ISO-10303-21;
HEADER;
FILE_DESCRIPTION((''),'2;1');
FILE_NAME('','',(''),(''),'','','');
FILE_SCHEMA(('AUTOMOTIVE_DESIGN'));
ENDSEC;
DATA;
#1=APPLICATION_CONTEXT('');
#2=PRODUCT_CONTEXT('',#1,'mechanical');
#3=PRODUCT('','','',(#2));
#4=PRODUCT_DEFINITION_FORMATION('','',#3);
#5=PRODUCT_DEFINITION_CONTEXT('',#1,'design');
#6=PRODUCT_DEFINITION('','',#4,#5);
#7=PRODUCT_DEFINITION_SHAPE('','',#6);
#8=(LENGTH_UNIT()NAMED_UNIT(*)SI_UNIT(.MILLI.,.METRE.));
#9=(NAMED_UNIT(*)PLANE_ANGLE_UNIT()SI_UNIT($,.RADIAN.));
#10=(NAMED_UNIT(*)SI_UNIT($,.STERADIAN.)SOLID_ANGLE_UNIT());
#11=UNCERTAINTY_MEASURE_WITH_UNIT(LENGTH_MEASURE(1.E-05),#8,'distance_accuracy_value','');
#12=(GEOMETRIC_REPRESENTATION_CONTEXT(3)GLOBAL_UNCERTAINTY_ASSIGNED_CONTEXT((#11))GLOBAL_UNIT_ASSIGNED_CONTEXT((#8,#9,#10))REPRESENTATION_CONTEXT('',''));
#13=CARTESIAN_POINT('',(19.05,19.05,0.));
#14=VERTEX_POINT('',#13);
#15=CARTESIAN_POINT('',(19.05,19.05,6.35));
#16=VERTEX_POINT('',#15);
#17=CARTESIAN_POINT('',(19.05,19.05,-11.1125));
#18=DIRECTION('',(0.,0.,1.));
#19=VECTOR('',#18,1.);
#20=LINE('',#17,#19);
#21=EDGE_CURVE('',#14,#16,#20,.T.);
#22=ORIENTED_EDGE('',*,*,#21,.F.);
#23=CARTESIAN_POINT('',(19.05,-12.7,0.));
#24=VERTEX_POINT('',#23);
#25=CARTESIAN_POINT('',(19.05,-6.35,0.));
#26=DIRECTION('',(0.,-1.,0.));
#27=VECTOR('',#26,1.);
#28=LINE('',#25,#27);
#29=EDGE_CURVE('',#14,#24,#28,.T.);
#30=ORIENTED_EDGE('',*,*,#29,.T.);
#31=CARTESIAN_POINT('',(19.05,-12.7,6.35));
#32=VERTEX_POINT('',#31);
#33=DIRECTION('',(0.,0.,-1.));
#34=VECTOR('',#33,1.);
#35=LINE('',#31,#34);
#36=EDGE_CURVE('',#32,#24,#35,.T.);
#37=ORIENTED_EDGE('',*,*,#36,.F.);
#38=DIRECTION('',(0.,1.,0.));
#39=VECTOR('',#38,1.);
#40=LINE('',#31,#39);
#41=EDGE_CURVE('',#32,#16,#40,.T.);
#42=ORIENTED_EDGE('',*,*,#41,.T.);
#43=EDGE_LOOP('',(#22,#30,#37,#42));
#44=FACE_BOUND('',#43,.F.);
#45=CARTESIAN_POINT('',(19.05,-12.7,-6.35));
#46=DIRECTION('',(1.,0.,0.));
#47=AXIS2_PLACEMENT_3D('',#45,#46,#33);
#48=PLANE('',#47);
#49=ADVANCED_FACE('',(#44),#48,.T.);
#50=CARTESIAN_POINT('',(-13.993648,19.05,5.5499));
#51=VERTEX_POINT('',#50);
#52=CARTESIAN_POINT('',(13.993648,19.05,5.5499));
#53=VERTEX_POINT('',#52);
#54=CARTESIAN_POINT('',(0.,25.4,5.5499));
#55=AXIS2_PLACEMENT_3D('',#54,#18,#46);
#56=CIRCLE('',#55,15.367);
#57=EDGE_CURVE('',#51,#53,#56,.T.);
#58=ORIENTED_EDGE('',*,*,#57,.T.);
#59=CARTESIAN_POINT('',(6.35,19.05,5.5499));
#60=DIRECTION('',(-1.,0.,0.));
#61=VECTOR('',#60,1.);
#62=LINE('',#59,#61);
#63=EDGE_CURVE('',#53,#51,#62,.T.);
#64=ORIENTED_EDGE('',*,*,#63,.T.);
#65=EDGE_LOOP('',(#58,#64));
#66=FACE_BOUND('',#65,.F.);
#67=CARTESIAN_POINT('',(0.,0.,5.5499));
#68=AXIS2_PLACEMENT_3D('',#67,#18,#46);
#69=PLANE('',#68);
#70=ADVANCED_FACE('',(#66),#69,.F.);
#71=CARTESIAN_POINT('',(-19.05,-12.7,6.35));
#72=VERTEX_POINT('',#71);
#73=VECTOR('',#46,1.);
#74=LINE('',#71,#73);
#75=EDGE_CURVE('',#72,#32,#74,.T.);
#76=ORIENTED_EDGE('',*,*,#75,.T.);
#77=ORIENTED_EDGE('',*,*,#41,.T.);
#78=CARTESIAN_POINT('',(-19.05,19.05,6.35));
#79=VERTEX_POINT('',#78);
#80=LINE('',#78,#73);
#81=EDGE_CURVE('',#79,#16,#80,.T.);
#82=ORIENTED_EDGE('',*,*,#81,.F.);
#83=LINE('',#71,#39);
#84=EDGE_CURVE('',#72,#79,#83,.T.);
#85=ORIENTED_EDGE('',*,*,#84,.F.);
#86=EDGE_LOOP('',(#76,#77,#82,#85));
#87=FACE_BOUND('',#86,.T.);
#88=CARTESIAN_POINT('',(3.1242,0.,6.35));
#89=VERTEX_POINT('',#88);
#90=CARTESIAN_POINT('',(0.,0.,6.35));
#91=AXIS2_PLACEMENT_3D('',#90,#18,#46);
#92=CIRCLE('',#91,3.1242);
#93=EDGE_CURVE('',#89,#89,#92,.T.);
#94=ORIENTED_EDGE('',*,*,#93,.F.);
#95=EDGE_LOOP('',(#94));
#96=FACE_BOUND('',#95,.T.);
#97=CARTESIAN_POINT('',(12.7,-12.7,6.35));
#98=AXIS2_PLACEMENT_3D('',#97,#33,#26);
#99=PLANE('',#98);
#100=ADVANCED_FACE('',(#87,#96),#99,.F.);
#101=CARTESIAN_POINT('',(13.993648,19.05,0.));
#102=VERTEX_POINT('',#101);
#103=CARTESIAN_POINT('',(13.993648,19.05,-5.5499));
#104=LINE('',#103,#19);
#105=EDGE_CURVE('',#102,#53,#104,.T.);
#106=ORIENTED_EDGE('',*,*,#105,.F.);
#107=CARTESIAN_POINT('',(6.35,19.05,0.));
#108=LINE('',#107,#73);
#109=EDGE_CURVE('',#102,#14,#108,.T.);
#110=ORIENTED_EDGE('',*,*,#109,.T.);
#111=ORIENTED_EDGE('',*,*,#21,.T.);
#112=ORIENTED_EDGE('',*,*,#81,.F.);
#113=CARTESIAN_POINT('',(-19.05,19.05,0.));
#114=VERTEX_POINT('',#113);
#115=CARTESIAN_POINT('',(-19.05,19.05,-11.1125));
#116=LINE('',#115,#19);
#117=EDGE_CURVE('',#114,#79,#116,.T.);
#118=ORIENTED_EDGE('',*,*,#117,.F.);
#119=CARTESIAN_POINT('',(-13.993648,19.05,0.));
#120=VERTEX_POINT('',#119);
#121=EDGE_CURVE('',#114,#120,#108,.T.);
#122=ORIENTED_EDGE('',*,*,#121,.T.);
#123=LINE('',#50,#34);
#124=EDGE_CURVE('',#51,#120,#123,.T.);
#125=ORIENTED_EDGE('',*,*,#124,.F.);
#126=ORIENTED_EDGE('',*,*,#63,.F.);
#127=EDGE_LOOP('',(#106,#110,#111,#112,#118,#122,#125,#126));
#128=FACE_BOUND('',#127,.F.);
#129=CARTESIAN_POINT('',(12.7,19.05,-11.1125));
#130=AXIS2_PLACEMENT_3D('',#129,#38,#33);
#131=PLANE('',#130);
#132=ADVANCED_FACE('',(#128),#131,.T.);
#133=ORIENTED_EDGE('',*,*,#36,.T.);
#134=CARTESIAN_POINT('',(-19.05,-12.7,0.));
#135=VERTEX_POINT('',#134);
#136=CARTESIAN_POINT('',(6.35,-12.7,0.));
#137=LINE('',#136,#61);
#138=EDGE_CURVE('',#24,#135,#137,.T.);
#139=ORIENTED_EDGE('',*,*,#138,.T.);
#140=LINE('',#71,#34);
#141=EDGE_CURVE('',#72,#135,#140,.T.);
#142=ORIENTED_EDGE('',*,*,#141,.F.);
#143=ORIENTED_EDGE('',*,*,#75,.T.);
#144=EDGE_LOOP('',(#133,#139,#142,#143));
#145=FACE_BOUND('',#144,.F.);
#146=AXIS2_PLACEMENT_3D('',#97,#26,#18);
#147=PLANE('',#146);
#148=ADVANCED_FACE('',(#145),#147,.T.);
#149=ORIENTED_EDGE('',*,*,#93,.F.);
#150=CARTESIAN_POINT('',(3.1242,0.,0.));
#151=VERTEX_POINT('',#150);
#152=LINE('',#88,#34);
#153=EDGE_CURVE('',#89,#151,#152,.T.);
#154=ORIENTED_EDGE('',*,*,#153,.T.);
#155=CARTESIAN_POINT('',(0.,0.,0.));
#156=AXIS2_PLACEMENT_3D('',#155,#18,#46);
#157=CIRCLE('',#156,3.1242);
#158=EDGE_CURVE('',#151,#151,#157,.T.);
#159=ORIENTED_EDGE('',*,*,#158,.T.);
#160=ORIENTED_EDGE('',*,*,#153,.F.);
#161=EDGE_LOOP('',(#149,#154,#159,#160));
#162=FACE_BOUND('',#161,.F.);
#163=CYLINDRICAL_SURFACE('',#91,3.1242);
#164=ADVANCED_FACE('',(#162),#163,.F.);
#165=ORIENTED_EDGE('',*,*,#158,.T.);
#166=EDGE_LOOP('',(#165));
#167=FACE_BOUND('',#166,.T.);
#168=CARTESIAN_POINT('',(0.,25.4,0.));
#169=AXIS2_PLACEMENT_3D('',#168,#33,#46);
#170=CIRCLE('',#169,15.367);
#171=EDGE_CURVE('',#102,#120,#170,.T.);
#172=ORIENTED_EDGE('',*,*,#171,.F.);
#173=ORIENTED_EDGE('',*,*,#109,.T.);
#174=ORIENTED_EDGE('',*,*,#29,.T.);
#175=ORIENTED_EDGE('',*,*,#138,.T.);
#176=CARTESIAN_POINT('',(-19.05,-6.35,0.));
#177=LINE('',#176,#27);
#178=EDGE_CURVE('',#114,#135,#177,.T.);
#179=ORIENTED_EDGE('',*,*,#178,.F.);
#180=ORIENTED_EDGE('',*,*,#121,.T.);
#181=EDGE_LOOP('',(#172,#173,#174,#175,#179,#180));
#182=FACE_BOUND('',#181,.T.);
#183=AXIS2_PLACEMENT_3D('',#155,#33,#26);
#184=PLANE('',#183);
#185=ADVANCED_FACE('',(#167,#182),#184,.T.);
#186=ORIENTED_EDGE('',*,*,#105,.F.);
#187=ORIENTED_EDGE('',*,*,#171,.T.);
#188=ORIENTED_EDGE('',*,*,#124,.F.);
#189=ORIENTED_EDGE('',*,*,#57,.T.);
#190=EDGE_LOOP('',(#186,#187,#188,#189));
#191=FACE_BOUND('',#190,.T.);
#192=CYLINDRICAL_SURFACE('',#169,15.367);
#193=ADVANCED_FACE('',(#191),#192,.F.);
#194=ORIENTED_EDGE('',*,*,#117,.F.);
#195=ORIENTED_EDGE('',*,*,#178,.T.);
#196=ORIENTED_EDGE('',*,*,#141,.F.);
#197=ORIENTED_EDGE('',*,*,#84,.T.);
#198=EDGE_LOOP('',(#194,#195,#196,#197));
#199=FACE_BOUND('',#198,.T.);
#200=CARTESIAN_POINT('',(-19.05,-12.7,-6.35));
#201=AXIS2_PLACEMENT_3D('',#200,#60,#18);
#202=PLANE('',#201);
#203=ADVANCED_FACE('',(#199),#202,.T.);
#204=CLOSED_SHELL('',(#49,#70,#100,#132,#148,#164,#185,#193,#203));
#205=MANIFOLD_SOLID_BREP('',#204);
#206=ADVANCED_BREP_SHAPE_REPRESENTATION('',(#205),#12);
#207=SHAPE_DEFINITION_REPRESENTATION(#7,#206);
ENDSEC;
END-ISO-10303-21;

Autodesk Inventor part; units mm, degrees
ref_plane "YZ Plane" through (0, 0, 0) normal (1, 0, 0) x (0, 1, 0)
ref_plane "XZ Plane" through (0, 0, 0) normal (0, 1, 0) x (-1, 0, 0)
sketch "Sketch3" plane through (0, 0, 0) normal (0, 0, 1) x (1, 0, 0)
  line L0 (-12.7, -19.05) -> (12.7, -19.05)
  line L1 (12.7, -19.05) -> (12.7, 19.05)
  line L2 (12.7, 19.05) -> (-12.7, 19.05)
  line L3 (-12.7, 19.05) -> (-12.7, -19.05)
  line L4 (-12.7, -19.05) -> (12.7, 19.05) construction
  line L5 (12.7, -19.05) -> (-12.7, 19.05) construction
  point P0 (0, 0)
  dimension "d0" = 25.4
  dimension "d1" = 38.1
extrude "Extrusion1" add sketch "Sketch3" along normal mid plane 12.7
sketch "Sketch4" plane through (0, 0, 6.35) normal (0, 0, 1) x (1, 0, 0)
  circle A0 centre (0, 0) radius 2.667
  dimension "d4" = 5.334
extrude "Extrusion2" cut sketch "Sketch4" against normal through all
sketch "Sketch5" plane through (-12.7, -19.05, 6.35) normal (-1, 0, 0) x (0, 0, 1)
  line L0 (3.175, 6.35) -> (50.8, 6.35) projected
  line L1 (-12.7, 38.1) -> (-12.7, 0) projected
  line L2 (0, 0) -> (0, 38.1) projected
  line L3 (-12.7, 0) -> (0, 0)
  line L4 (0, 0) -> (0, 6.35)
  line L5 (0, 6.35) -> (-12.7, 6.35)
  line L6 (-12.7, 6.35) -> (-12.7, 0)
  point P0 (-6.35, 19.05)
  point P1 (-12.7, 6.35)
  dimension "d9" = 6.35
extrude "Extrusion3" cut sketch "Sketch5" against normal through all
sketch "Sketch8" plane through (-12.7, -12.7, -6.35) normal (-1, 0, 0) x (0, 0, 1)
  line L0 (-4.7625, 21.8398) -> (-4.7625, 13.2284) projected
  line L1 (12.7, 0) -> (12.7, 31.75) projected
  line L2 (12.7, 0) -> (-4.7625, 0)
  line L3 (-4.7625, 0) -> (-4.7625, 31.75)
  line L4 (-4.7625, 31.75) -> (12.7, 31.75)
  line L5 (12.7, 31.75) -> (12.7, 0)
  point P0 (6.35, 12.7)
  point P1 (-4.7625, 13.2284)
extrude "Extrusion5" add sketch "Sketch8" along normal blind 6.35
mirror "Mirror1" about plane through (0, 0, 0) normal (1, 0, 0) of "Extrusion5"
sketch "Sketch6" plane through (0, 0, 0) normal (0, 0, 1) x (1, 0, 0)
  circle A0 centre (0, 25.4) radius 15.367
  point P0 (0, 0)
  dimension "d10" = 25.4
  dimension "d13" = 30.734
extrude "cutOutForGuide" cut sketch "Sketch6" along normal mid plane 11.0998
sketch "Sketch9" plane through (0, 0, 6.35) normal (0, 0, 1) x (1, 0, 0)
  circle A0 centre (0, 0) radius 3.1242
  dimension "d16" = 6.2484
extrude "Extrusion6" cut sketch "Sketch9" against normal blind 9.525
split "Split1" plane through (0, 0, 0) removes the side toward (0, 0, -1)
properties part number "preventWireJumpingSingleSupportSliceA" material "PBT Plastic"
